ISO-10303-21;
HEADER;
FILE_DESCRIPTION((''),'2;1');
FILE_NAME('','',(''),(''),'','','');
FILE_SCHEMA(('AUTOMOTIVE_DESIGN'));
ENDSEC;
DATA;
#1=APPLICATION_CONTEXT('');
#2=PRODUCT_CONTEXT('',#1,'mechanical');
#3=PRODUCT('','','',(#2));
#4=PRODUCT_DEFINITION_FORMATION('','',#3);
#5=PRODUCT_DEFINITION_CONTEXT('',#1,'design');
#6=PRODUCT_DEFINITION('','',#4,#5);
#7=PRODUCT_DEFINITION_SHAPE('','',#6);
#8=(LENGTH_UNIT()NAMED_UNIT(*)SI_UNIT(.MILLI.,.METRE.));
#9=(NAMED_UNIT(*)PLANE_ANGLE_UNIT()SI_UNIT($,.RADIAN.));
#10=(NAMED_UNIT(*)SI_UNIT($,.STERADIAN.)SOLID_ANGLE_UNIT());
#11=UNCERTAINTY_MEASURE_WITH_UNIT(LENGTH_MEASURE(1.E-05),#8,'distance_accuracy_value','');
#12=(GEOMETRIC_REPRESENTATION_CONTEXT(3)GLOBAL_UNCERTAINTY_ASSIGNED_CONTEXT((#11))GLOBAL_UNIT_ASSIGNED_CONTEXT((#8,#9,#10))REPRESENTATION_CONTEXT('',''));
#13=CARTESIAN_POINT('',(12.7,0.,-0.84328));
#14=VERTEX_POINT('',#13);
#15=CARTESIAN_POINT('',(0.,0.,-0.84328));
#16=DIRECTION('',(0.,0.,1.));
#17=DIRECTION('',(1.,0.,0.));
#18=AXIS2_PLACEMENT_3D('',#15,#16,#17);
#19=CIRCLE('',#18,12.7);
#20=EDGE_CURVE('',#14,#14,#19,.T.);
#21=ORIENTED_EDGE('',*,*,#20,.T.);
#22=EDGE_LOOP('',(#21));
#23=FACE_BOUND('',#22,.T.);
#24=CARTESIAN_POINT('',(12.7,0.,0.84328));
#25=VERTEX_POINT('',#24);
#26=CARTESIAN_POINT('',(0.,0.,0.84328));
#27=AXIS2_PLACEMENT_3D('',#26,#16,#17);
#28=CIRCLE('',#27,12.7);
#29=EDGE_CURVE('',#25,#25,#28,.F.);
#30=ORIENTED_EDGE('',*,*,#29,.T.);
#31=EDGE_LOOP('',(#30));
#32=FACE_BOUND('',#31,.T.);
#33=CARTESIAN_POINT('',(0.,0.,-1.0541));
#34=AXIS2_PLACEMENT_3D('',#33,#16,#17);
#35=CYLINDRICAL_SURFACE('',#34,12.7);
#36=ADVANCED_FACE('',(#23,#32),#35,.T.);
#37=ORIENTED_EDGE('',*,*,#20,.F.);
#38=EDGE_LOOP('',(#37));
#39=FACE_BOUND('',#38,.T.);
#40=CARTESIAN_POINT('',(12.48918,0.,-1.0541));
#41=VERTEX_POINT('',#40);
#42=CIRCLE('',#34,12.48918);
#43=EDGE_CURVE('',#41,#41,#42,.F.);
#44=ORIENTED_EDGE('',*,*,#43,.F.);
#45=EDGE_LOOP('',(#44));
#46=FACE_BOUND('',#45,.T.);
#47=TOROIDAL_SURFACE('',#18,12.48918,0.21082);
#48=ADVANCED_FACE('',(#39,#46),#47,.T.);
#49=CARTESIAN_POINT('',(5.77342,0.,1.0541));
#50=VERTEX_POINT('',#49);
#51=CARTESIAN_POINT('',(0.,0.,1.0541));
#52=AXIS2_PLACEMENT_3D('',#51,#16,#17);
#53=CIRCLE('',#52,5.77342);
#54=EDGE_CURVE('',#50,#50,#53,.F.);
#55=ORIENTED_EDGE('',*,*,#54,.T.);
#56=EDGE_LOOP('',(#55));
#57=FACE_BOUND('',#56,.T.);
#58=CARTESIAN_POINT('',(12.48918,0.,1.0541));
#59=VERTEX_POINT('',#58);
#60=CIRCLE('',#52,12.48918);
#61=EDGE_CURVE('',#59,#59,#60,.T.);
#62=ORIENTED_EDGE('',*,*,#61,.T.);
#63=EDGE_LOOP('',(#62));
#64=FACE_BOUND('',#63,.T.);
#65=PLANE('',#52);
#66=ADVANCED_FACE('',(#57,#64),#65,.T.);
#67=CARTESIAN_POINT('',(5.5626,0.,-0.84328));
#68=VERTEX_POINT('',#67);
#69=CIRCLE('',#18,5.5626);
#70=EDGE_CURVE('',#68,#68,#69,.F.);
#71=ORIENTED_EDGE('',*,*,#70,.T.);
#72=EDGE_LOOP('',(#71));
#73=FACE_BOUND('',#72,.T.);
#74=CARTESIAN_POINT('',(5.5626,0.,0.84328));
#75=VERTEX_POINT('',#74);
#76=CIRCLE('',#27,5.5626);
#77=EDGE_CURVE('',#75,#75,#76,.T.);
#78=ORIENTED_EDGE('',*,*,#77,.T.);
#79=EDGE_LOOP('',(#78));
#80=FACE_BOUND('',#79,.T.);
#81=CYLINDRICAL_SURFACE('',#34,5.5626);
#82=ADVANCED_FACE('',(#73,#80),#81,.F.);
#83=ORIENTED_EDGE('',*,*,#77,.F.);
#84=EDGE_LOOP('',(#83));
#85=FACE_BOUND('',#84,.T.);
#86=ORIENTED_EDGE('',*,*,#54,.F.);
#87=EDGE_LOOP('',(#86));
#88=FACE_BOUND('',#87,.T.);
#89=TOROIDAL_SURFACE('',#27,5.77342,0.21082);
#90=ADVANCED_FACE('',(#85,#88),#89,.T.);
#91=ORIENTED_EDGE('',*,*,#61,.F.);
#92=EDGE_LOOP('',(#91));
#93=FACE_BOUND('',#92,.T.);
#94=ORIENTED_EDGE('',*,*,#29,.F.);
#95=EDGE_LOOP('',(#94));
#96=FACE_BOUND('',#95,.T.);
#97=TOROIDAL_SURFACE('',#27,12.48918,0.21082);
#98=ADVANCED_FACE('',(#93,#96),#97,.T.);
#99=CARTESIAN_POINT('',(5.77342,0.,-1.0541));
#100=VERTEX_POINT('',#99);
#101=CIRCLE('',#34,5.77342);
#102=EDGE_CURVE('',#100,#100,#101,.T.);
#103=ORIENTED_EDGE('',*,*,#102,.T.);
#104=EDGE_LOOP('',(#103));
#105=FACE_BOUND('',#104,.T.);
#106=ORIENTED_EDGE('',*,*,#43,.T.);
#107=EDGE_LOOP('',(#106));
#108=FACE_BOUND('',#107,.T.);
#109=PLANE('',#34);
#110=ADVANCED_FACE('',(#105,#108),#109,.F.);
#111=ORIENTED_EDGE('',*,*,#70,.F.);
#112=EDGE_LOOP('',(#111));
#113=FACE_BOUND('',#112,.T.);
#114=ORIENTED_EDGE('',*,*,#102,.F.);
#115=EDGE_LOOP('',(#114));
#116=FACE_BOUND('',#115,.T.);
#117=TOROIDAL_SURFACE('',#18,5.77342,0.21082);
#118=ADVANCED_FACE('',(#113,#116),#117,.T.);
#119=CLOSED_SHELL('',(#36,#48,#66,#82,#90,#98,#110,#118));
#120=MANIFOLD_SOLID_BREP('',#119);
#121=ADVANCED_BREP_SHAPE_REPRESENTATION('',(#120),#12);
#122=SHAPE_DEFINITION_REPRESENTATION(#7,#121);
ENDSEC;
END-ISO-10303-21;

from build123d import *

# Parameters (mm, degrees)
BOSS_EXTRUDE1_DEPTH      = 1.0541
BOSS_EXTRUDE1_DEPTH_BACK = 1.0541
SKETCH3_R                = 12.7
SKETCH3_R_2              = 5.5626
FILLET1_R                = 0.21082


with BuildPart() as part:
    # Sketch3 → Boss-Extrude1 (new, two sides: drawn at the far end of the back side and taken through both)
    with BuildSketch(Plane.XY.offset(-BOSS_EXTRUDE1_DEPTH_BACK)):
        Circle(SKETCH3_R)
        Circle(SKETCH3_R_2, mode=Mode.SUBTRACT)
    extrude(amount=BOSS_EXTRUDE1_DEPTH + BOSS_EXTRUDE1_DEPTH_BACK)

    # Fillet1
    fillet1_edges = [part.edges().sort_by_distance(p)[0] for p in [
        (-12.7, 0, -1.0541),
        (-5.5626, 0, -1.0541),
        (-12.7, 0, 1.0541),
        (-5.5626, 0, 1.0541),
    ]]
    fillet(fillet1_edges, radius=FILLET1_R)


solid = part.part
